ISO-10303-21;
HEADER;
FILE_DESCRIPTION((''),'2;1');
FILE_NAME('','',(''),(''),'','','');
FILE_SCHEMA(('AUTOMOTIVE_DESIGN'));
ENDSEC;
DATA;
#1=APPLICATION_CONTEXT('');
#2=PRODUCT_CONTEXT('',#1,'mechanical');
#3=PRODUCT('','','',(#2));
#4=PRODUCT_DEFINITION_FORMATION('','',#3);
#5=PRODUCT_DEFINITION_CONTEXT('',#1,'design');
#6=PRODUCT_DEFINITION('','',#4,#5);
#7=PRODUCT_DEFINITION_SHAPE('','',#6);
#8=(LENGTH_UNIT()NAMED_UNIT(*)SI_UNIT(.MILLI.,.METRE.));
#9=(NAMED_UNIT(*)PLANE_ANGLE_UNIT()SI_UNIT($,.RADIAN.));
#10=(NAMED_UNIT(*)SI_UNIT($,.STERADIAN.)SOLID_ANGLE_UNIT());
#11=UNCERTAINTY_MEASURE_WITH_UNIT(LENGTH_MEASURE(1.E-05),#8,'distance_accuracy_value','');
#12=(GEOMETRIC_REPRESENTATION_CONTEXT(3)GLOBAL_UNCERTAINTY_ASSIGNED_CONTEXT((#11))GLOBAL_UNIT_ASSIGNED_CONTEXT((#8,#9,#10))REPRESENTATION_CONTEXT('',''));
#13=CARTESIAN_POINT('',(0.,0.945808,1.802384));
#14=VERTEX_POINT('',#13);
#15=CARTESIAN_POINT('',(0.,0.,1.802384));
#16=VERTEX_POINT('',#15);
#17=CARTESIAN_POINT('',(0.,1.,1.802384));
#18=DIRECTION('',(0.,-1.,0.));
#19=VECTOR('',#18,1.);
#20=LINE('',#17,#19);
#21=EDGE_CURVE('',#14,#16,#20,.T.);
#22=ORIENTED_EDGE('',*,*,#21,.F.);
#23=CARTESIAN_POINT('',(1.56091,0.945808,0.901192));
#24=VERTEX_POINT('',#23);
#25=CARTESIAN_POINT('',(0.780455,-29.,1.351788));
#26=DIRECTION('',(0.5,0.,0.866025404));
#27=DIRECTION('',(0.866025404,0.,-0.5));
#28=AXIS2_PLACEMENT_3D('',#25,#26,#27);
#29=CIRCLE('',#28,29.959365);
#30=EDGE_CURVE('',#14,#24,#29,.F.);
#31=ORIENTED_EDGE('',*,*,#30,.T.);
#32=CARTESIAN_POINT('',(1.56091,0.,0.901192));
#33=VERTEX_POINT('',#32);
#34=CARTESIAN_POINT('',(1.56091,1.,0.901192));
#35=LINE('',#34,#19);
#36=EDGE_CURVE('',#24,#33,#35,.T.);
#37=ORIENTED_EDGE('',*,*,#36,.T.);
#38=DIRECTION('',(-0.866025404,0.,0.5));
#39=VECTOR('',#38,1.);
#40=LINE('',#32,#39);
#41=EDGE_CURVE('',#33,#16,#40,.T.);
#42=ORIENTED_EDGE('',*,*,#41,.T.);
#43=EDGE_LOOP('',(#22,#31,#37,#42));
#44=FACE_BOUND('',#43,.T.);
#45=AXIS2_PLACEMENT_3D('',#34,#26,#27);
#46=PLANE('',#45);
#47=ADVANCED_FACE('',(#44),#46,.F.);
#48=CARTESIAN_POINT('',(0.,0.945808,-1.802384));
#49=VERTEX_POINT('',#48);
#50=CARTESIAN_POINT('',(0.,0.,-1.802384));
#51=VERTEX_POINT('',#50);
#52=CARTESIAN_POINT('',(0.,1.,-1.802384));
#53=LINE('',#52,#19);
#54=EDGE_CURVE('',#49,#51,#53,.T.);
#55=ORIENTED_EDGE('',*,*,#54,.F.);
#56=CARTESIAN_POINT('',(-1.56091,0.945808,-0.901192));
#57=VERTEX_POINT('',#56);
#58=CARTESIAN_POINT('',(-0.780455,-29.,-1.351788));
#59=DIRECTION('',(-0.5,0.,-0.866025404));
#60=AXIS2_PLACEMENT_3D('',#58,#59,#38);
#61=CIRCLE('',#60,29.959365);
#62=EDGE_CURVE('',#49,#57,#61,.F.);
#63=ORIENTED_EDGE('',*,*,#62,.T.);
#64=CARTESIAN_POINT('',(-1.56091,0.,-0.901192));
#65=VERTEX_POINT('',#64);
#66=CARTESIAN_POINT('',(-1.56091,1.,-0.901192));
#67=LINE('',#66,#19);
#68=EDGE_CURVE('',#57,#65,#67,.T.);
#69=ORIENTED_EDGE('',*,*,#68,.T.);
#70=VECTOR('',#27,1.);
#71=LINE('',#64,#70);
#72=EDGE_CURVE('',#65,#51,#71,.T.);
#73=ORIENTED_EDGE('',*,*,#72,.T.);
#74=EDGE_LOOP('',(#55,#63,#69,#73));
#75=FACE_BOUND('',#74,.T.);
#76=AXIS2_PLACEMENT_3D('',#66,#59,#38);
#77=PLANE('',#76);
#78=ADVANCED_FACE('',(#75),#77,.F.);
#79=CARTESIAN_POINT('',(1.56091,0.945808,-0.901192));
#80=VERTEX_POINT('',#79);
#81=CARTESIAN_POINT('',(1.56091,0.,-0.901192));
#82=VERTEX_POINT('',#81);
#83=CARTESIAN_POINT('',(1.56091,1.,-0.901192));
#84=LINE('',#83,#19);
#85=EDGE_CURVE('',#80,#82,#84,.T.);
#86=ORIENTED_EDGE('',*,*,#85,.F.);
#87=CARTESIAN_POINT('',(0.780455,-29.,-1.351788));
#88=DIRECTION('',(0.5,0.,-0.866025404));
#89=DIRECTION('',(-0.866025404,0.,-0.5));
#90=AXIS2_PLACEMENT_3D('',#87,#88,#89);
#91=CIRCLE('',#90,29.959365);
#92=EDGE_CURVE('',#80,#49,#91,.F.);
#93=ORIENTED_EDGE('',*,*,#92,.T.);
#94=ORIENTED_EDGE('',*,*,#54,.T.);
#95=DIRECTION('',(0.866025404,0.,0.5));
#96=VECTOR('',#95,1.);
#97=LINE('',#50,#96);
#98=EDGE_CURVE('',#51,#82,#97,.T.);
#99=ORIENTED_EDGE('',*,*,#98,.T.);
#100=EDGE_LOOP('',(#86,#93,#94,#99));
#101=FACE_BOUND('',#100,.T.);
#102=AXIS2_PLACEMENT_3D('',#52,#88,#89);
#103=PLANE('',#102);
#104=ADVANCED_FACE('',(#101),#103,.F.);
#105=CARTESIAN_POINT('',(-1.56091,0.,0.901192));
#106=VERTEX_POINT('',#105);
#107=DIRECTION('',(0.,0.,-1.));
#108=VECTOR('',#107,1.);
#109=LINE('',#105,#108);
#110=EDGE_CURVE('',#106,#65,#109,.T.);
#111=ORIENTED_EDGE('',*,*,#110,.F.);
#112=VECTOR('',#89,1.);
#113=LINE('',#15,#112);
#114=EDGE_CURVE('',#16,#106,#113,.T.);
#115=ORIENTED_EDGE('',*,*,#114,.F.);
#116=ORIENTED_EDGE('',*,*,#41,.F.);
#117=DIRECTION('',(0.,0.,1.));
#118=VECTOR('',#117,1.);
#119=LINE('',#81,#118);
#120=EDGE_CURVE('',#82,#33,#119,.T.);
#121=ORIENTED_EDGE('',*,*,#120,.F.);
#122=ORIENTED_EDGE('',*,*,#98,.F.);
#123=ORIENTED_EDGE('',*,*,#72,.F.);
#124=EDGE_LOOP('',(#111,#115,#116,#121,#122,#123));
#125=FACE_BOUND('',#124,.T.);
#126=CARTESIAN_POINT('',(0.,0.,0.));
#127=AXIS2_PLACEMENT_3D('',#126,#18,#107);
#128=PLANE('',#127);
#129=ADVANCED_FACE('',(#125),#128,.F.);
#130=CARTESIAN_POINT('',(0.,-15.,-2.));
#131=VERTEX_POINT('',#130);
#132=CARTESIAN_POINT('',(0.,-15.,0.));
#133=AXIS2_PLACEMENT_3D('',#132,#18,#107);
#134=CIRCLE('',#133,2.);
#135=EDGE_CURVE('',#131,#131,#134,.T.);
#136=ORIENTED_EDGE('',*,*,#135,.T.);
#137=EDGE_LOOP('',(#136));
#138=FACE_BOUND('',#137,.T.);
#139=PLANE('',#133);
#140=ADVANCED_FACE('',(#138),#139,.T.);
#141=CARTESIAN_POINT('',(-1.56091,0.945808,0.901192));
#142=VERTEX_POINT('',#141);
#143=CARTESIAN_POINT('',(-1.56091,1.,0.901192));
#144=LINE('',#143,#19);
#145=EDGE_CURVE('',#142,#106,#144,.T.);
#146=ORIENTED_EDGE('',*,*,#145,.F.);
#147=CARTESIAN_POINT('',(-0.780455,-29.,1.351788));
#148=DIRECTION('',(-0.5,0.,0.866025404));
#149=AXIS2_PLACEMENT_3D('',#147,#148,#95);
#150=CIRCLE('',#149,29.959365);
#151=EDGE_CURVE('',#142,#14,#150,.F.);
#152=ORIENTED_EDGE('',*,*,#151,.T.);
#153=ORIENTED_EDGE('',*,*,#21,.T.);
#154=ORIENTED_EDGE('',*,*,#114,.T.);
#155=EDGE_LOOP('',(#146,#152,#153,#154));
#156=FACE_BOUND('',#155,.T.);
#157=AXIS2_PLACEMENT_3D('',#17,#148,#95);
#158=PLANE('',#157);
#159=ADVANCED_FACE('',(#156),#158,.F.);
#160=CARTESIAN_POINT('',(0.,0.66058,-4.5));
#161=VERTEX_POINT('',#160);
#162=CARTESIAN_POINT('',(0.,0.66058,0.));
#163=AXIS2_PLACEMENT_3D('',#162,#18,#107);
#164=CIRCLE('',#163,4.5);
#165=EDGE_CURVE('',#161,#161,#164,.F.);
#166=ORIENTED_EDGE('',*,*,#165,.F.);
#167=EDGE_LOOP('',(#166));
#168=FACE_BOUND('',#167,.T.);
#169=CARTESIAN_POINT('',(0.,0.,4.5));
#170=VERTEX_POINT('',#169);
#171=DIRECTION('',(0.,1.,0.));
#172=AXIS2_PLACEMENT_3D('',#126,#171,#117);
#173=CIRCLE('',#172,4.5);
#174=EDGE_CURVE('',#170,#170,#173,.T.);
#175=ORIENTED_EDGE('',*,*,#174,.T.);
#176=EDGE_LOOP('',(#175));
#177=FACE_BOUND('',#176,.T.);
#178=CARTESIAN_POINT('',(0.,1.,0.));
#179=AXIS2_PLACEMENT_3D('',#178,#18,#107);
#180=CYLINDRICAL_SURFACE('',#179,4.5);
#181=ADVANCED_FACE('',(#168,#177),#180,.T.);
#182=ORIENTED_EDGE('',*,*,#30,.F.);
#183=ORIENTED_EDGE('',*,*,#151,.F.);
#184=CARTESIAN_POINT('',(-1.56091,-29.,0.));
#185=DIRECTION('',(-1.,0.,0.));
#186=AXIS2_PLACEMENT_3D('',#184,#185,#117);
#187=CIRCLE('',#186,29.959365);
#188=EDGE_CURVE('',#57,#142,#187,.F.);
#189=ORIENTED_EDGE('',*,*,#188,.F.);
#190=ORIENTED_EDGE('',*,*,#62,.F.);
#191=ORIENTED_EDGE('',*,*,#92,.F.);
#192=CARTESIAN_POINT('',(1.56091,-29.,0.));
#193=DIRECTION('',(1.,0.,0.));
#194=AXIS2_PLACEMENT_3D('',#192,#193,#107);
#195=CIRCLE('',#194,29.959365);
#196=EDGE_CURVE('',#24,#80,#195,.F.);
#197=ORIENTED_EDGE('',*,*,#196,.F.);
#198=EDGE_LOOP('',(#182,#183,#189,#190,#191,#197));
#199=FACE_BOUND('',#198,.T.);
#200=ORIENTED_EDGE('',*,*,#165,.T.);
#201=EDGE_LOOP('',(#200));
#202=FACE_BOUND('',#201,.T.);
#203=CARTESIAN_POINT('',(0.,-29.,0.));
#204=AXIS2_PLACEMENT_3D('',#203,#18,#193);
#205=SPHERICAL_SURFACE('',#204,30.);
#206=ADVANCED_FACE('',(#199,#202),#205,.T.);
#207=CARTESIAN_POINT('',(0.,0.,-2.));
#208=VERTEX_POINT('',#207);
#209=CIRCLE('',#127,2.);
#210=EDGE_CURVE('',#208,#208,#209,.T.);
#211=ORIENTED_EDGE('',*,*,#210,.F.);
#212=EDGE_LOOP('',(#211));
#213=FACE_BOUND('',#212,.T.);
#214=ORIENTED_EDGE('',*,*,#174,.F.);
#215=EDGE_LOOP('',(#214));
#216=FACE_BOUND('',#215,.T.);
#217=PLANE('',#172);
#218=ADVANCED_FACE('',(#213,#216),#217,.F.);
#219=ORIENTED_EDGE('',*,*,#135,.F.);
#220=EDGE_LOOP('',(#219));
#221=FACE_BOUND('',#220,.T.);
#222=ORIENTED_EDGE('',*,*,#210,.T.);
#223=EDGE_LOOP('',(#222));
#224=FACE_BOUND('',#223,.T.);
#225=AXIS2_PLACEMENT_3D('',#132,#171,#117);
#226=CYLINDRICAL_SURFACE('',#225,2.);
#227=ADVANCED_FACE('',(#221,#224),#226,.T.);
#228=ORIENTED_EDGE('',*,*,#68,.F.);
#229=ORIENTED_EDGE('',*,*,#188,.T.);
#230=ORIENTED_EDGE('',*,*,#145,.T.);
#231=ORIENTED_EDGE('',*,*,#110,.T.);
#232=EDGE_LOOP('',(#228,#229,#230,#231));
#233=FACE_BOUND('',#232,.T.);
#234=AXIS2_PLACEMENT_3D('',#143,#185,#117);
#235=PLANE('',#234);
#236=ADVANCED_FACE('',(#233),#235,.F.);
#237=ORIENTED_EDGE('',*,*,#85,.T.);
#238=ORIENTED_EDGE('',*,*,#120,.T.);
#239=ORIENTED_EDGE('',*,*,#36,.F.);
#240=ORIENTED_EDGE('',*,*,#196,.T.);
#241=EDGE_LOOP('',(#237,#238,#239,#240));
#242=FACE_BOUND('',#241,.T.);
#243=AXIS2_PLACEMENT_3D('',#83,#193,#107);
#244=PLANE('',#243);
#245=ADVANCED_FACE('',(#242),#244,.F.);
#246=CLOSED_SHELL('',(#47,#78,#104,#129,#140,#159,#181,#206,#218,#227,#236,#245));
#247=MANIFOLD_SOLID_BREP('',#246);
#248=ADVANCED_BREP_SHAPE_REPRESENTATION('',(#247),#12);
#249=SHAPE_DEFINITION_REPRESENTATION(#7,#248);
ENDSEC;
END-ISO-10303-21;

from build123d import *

# Parameters (mm, degrees)
SKETCH_1_R          = 4.5
EXTRUDE_1_DEPTH     = 1
SKETCH_2_R          = 2
EXTRUDE_2_DEPTH     = 15
CUT_EXTRUDE_1_DEPTH = 1


with BuildPart() as part:
    # 草图1 → 凸台-拉伸1 (new body)
    with BuildSketch(Plane(origin=(0, 0, 0), x_dir=(1, 0, 0), z_dir=(0, 1, 0))):
        Circle(SKETCH_1_R)
    extrude(amount=EXTRUDE_1_DEPTH)

    # 草图2 → 凸台-拉伸2 (add)
    with BuildSketch(Plane.XZ):
        Circle(SKETCH_2_R)
    extrude(amount=EXTRUDE_2_DEPTH)

    # 草图3 → 切除-旋转2 (revolve, cut)
    with BuildSketch(Plane.XY):
        with BuildLine():
            ThreePointArc((5.590055425, 0.474587026), (2.807346543, 0.868357929), (0, 1))
            Line((0, 1), (0, 3.329372604))
            Line((0, 3.329372604), (5.734393967, 3.279293278))
            Line((5.734393967, 3.279293278), (5.590055425, 0.474587026))
        make_face()
    revolve(axis=Axis((0, 0, 0), (0, 1, 0)), mode=Mode.SUBTRACT)

    # 草图4 → 切除-拉伸1 (cut)
    with BuildSketch(Plane.XZ):
        Polygon((0, -1.802383699), (1.56091007, -0.901191849), (1.56091007, 0.901191849), (0, 1.802383699), (-1.56091007, 0.901191849), (-1.56091007, -0.901191849), align=None)
    extrude(amount=-CUT_EXTRUDE_1_DEPTH, mode=Mode.SUBTRACT)


solid = part.part
